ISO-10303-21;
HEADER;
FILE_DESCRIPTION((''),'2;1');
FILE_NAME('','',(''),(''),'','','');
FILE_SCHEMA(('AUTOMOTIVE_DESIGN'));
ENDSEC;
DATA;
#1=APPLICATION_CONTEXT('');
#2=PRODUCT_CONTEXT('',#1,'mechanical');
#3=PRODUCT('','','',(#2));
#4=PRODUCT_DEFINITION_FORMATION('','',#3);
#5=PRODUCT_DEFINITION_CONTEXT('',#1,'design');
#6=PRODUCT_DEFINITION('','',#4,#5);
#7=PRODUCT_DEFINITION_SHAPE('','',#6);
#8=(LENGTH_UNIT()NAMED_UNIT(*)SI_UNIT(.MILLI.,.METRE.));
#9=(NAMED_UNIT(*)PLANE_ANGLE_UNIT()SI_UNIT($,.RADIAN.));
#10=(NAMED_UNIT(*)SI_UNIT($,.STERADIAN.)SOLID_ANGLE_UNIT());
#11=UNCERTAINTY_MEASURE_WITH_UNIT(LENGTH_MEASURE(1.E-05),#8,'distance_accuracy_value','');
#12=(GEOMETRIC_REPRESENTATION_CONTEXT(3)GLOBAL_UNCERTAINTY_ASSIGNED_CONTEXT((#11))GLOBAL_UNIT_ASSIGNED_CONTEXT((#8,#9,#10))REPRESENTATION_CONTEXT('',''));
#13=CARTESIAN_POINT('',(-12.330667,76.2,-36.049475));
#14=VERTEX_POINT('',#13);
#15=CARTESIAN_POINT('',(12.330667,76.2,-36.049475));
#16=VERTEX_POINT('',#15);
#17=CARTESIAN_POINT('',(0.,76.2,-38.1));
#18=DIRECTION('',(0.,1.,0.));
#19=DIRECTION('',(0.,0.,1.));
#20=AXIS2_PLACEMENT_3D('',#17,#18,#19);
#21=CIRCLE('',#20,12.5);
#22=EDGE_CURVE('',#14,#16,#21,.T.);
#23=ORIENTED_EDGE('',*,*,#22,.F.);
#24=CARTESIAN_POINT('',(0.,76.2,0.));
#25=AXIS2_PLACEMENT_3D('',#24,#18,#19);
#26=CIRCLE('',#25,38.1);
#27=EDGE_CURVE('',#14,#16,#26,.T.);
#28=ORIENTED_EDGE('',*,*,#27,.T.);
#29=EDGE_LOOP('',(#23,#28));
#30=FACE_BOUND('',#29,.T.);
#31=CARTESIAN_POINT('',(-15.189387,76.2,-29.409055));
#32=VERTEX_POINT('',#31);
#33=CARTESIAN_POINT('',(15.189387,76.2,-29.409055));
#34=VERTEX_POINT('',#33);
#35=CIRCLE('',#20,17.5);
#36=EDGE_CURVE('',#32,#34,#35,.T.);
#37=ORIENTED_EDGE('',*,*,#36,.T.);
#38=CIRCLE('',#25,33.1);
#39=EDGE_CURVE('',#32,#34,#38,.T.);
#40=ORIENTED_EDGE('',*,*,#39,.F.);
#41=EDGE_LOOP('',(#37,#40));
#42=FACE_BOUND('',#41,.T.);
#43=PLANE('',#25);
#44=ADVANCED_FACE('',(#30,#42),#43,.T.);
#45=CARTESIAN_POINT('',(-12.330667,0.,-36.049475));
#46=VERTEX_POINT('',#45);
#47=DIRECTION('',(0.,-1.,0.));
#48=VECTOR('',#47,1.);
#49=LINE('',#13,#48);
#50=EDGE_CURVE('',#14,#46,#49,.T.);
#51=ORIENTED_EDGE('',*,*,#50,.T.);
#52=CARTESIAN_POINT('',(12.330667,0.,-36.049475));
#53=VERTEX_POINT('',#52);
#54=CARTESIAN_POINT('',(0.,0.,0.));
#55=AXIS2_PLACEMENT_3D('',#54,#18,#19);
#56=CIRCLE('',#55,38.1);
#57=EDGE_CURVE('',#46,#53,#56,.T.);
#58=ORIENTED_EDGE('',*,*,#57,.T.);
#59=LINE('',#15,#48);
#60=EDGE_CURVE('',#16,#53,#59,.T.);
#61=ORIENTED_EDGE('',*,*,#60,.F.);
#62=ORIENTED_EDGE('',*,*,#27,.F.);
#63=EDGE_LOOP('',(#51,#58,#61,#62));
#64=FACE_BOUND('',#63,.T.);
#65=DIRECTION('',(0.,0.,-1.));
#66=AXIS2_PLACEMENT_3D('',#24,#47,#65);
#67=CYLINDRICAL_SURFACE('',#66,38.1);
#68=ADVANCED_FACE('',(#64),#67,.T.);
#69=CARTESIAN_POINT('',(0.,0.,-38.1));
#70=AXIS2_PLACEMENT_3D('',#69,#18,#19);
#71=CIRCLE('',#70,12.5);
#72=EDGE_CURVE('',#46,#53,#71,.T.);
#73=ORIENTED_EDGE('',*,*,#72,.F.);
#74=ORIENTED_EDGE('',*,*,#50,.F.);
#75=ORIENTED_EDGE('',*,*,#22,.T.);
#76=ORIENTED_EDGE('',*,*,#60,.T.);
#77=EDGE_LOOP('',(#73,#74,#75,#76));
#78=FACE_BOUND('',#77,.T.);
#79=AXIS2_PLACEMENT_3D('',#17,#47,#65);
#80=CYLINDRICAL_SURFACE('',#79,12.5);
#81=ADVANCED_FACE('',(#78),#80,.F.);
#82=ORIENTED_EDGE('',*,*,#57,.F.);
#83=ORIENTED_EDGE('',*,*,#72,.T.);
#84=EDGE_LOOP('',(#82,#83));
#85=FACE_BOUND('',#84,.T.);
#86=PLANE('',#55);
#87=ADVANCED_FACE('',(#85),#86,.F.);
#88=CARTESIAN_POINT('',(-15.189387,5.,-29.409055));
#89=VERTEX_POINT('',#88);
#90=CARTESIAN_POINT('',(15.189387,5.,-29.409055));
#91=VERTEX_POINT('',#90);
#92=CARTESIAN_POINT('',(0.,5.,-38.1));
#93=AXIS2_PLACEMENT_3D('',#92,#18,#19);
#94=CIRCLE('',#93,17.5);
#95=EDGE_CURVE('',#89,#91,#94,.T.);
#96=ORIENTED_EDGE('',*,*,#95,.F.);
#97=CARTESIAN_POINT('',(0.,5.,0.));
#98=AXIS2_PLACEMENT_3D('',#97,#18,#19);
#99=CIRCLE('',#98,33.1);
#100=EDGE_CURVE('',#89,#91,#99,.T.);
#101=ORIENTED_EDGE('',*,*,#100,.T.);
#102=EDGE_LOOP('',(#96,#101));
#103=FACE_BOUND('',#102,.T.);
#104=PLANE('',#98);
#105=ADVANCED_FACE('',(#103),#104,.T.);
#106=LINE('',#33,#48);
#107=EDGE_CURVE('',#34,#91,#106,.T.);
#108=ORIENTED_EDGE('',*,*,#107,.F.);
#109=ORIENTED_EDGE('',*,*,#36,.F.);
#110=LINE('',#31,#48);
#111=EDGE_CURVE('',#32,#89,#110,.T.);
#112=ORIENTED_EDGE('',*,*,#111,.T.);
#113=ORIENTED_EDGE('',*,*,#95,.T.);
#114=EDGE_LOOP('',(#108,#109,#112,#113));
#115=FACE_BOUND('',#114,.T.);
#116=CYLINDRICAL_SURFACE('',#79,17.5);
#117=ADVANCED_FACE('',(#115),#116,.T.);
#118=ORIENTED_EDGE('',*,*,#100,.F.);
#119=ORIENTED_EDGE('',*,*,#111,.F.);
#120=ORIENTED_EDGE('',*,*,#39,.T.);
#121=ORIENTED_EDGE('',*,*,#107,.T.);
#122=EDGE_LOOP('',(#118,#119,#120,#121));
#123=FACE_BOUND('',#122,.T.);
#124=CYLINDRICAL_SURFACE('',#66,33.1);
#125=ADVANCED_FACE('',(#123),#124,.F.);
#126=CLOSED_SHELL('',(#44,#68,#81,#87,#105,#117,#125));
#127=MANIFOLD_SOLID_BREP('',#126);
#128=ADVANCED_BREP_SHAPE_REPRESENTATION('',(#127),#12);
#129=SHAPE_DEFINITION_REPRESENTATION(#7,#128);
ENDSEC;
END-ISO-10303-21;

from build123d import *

# Parameters (mm, degrees)
BOSS_EXTRUDE1_DEPTH = 76.2
BOSS_EXTRUDE2_DEPTH = 5


with BuildPart() as part:
    # Sketch1 → Boss-Extrude1 (new body)
    with BuildSketch(Plane(origin=(0, 0, 0), x_dir=(1, 0, 0), z_dir=(0, 1, 0))):
        with BuildLine():
            ThreePointArc((12.330666952, 36.049475066), (0, 25.6), (-12.330666952, 36.049475066))
            ThreePointArc((-12.330666953, 36.049475066), (0, -38.1), (12.330666953, 36.049475066))
        make_face()
        with BuildLine():
            ThreePointArc((15.189386988, 29.409055118), (0, -33.1), (-15.189386988, 29.409055118))
            ThreePointArc((-15.189386988, 29.409055118), (0, 20.6), (15.189386988, 29.409055118))
        make_face(mode=Mode.SUBTRACT)
    extrude(amount=BOSS_EXTRUDE1_DEPTH)

    # Sketch1<3> → Boss-Extrude2 (add)
    with BuildSketch(Plane(origin=(0, 0, 0), x_dir=(1, 0, 0), z_dir=(0, 1, 0))):
        with BuildLine():
            ThreePointArc((33.1, 0), (28.269937295, 17.216870951), (15.189386988, 29.409055118))
            ThreePointArc((15.189386988, 29.409055118), (0, 20.6), (-15.189386988, 29.409055118))
            ThreePointArc((-15.189386988, 29.409055118), (-17.216870951, -28.269937295), (33.1, 0))
        make_face()
    extrude(amount=BOSS_EXTRUDE2_DEPTH)


solid = part.part
